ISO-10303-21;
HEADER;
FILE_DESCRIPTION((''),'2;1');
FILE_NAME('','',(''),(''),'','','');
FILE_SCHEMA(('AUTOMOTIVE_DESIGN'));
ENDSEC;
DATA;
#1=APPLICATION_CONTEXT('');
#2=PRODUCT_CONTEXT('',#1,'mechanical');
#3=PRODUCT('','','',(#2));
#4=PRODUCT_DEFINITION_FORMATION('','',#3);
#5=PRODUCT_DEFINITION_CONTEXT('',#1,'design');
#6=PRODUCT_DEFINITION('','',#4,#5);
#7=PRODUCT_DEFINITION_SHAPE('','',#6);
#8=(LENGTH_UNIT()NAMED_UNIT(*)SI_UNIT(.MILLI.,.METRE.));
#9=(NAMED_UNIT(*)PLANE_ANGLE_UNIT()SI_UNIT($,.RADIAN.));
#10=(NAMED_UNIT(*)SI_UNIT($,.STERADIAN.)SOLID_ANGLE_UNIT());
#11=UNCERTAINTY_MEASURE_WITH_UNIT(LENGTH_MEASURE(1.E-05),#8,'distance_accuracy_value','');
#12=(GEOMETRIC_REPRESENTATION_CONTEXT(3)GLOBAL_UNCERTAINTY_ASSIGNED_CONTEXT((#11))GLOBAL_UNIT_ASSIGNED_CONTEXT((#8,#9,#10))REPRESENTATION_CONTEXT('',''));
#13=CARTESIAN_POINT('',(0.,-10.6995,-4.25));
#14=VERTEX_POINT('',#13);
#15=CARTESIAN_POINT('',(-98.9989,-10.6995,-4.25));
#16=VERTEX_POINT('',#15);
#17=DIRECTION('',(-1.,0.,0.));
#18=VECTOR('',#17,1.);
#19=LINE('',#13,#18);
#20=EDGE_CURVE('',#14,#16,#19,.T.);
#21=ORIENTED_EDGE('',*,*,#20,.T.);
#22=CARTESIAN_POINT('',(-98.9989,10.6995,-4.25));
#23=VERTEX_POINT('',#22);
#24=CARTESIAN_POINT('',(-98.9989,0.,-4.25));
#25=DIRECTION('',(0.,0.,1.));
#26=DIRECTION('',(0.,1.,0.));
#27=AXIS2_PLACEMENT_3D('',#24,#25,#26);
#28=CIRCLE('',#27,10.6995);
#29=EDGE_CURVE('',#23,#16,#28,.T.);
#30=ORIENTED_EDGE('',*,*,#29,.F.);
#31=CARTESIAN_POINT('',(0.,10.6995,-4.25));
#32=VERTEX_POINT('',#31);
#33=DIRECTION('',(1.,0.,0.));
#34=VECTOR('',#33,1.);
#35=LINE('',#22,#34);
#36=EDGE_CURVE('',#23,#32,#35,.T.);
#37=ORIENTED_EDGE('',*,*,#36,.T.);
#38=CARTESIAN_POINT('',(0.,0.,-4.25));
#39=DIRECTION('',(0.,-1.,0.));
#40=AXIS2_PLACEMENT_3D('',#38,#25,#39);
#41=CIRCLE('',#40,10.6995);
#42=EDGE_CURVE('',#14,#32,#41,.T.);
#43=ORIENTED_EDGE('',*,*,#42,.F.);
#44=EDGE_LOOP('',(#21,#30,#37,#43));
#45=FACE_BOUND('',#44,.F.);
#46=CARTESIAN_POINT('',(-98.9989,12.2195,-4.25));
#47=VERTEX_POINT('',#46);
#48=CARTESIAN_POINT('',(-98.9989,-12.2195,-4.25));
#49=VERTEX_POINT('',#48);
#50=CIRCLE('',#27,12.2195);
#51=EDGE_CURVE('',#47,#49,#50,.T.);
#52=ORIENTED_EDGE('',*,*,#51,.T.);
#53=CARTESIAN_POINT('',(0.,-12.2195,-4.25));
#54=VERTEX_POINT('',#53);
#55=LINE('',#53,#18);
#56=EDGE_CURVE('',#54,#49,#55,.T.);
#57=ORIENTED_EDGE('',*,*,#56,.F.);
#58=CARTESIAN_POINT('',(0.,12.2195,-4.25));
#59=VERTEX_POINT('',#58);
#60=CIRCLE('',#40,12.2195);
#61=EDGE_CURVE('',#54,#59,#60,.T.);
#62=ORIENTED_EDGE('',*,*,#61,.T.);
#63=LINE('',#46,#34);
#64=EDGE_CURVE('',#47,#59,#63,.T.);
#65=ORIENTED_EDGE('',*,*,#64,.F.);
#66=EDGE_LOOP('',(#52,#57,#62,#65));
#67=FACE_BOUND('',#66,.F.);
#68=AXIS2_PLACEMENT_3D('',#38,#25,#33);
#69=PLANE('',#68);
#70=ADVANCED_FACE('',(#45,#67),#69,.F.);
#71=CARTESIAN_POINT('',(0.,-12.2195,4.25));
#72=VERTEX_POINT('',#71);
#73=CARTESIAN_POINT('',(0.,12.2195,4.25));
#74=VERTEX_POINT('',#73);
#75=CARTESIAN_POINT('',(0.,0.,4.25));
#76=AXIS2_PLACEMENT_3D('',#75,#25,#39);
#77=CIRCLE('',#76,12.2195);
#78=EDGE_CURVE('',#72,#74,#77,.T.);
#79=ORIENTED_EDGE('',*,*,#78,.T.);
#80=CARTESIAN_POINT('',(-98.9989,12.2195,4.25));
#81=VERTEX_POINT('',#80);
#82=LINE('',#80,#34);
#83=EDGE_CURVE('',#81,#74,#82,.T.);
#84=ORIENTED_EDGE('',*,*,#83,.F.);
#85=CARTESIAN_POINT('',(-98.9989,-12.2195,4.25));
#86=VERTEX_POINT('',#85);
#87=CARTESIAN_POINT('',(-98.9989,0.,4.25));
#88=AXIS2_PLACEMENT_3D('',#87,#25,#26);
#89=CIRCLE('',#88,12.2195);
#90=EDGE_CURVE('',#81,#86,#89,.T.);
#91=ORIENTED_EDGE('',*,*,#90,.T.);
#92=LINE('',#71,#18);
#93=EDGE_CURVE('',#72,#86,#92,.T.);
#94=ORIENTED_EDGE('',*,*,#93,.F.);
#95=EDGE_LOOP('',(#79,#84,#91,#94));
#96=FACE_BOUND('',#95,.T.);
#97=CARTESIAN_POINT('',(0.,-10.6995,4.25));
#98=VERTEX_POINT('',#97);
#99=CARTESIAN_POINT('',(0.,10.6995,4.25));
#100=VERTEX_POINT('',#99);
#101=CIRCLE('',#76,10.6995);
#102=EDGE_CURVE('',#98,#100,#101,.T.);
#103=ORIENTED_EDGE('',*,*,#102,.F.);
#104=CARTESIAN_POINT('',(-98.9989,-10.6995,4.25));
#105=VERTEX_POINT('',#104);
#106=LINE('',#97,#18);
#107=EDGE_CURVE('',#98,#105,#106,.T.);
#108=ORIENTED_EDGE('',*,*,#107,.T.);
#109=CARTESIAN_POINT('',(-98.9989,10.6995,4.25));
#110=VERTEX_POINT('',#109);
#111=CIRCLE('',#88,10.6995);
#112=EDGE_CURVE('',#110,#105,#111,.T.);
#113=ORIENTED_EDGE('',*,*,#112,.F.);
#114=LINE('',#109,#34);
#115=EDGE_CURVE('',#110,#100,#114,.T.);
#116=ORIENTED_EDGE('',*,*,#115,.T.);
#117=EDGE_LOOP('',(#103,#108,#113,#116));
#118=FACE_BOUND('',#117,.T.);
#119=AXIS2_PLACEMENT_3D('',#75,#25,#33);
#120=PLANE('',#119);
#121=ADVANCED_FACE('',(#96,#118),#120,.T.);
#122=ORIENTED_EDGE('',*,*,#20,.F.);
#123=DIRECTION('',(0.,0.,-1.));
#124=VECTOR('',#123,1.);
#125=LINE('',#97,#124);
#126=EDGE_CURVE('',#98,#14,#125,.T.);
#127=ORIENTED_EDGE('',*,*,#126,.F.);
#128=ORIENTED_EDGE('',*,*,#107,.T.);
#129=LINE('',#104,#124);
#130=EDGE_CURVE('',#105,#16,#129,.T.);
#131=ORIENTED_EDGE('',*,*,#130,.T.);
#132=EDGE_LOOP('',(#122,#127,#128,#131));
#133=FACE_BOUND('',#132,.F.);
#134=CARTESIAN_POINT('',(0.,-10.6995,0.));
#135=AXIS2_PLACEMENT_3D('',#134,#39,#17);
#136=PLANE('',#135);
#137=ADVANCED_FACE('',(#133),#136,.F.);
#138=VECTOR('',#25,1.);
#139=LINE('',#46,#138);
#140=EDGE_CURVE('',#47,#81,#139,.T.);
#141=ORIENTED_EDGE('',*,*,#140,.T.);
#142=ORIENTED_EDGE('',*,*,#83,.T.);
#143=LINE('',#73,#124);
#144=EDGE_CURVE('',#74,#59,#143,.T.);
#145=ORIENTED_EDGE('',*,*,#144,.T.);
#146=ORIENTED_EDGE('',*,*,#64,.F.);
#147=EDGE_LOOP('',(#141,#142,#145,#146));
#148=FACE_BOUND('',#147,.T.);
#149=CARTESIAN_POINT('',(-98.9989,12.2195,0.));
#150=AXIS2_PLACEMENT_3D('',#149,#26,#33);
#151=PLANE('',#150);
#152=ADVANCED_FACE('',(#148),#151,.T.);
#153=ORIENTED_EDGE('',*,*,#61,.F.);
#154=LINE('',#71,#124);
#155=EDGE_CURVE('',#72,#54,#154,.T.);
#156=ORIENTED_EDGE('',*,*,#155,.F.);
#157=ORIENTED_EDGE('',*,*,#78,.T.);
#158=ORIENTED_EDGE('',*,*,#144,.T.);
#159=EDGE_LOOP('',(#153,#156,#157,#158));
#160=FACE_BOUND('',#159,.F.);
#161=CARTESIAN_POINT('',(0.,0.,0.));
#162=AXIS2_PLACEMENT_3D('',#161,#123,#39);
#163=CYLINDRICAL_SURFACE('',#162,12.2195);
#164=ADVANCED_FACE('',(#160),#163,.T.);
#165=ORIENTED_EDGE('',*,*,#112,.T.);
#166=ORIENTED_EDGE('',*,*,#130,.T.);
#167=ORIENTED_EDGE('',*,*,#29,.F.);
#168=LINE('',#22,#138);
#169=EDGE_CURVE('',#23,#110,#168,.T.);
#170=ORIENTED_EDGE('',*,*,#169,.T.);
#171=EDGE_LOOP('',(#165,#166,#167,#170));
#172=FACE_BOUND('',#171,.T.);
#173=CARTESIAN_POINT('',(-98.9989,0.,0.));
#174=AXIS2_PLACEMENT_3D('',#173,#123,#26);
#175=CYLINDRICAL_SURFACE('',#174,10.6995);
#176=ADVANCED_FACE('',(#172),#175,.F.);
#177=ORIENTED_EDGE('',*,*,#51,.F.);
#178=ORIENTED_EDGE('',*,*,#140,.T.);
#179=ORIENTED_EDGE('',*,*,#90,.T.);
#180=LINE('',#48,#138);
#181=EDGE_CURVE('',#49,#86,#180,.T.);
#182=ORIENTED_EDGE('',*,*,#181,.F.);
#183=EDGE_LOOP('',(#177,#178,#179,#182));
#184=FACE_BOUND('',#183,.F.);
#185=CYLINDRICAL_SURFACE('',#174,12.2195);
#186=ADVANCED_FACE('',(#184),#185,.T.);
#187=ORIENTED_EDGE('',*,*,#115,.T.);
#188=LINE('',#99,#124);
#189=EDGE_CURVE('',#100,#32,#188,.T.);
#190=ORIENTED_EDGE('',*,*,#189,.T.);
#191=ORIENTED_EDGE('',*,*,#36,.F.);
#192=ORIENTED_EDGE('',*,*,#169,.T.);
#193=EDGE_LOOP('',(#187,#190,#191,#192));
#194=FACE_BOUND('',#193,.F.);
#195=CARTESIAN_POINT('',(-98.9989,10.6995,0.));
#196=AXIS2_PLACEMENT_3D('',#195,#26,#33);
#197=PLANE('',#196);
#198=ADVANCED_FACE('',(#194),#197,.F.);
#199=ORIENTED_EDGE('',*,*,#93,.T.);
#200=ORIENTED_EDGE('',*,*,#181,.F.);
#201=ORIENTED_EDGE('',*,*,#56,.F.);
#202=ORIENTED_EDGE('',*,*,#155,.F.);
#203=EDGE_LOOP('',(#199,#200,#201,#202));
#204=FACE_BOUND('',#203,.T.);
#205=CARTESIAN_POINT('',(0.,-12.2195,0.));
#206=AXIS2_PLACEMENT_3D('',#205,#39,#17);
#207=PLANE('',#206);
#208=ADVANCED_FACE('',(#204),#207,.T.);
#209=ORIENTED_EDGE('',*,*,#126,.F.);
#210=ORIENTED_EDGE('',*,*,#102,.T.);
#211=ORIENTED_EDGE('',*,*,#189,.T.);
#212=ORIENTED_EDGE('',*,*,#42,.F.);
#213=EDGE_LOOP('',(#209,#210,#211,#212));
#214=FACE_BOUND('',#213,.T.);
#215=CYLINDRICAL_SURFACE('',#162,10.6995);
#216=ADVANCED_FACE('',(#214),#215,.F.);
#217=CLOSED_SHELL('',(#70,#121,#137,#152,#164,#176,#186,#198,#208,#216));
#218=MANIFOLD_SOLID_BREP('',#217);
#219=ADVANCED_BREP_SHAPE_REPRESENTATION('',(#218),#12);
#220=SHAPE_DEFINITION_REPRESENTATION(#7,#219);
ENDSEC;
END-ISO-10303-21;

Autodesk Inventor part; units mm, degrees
ref_plane "YZ Plane" through (0, 0, 0) normal (1, 0, 0) x (0, 1, 0)
ref_plane "XZ Plane" through (0, 0, 0) normal (0, 1, 0) x (-1, 0, 0)
ref_plane "XY Plane" through (0, 0, 0) normal (0, 0, 1) x (1, 0, 0)
sketch "Sketch1" plane through (0, 0, 0) normal (0, 0, 1) x (1, 0, 0)
  arc A0 (0, -11.4595) -> (0, 11.4595) centre (0, 0) ccw construction
  arc A1 (-98.9989, 11.4595) -> (-98.9989, -11.4595) centre (-98.9989, 0) ccw construction
  line L0 (0, -11.4595) -> (-98.9989, -11.4595) construction
  line L1 (0, 11.4595) -> (-98.9989, 11.4595) construction
  dimension "Belt_Teeth" = 90
  dimension "Belt_Pitch2" = 3
  dimension "d0" = 22.919
  dimension "d1" = 22.919
  dimension "d2" = 36.0011
  dimension "d3" = 36.0011
  dimension "Center_Distance" = 98.9989
  dimension "d5" = 98.9989
sketch "Sketch2" plane through (0, 0, 0) normal (0, 0, 1) x (1, 0, 0)
  line L0 (35.7235, 34.2567) -> (38.7235, 34.2567)
  point P0 (0, 0)
  dimension "Belt_Pitch2" = 3
sketch "Sketch4" plane through (0, 0, 0) normal (0, 0, 1) x (1, 0, 0)
  line L0 (-16.1422, -21.869) -> (-14.1422, -21.869)
  line L1 (-16.1422, -21.869) -> (-16.1422, -20.349)
  arc A0 (-15.5872, -20.904) -> (-16.1422, -20.349) centre (-16.1422, -20.904) ccw
  line L2 (-15.5872, -20.904) -> (-15.5872, -20.959)
  arc A1 (-15.5872, -20.959) -> (-15.4372, -21.109) centre (-15.4372, -20.959) ccw
  line L3 (-15.4372, -21.109) -> (-14.8472, -21.109)
  line L4 (-14.1422, -21.869) -> (-14.1422, -20.349)
  arc A2 (-14.1422, -20.349) -> (-14.6972, -20.904) centre (-14.1422, -20.904) ccw
  arc A3 (-14.8472, -21.109) -> (-14.6972, -20.959) centre (-14.8472, -20.959) ccw
  line L5 (-14.6972, -20.959) -> (-14.6972, -20.904)
  line L6 (0, 11.4595) -> (-98.9989, 11.4595) construction
  arc A4 (-98.9989, 11.4595) -> (-98.9989, -11.4595) centre (-98.9989, 0) ccw construction
  line L7 (0, -11.4595) -> (-98.9989, -11.4595) construction
  arc A5 (0, -11.4595) -> (0, 11.4595) centre (0, 0) ccw construction
  arc A6 (-98.9989, 12.2195) -> (-98.9989, -12.2195) centre (-98.9989, 0) ccw
  line L8 (-98.9989, 12.2195) -> (0, 12.2195)
  arc A7 (0, -12.2195) -> (0, 12.2195) centre (0, 0) ccw
  line L9 (0, -12.2195) -> (-98.9989, -12.2195)
  arc A8 (-98.9989, 10.6995) -> (-98.9989, -10.6995) centre (-98.9989, 0) ccw
  line L10 (-98.9989, 10.6995) -> (0, 10.6995)
  arc A9 (0, -10.6995) -> (0, 10.6995) centre (0, 0) ccw
  line L11 (0, -10.6995) -> (-98.9989, -10.6995)
  point P0 (-15.1422, -21.109)
  point P1 (-15.1422, -21.869)
  dimension "d9" = 2
  dimension "d10" = 1.52
  dimension "d11" = 0.76
  dimension "d12" = 0.555
  dimension "d13" = 0.555
  dimension "d14" = 0.15
  dimension "d15" = 0.15
  dimension "belt_thickness" = 1.52
  dimension "d44" = 0.76
extrude "Extrusion2" add sketch "Sketch4" along normal mid plane 8.5 contours L8 A7 L9 A6
sketch "Sketch5" plane through (0, 0, 4.25) normal (0, 0, 1) x (1, 0, 0)
  line L0 (-98.9989, 10.6995) -> (0, 10.6995) construction
  arc A0 (0, -10.6995) -> (0, 10.6995) centre (0, 0) ccw construction
  line L1 (0, -10.6995) -> (-98.9989, -10.6995) construction
  arc A1 (-98.9989, 10.6995) -> (-98.9989, -10.6995) centre (-98.9989, 0) ccw construction
  arc A2 (-98.9989, 12.2195) -> (-98.9989, -12.2195) centre (-98.9989, 0) ccw construction
  line L2 (-98.9989, -12.2195) -> (0, -12.2195) construction
  arc A3 (0, -12.2195) -> (0, 12.2195) centre (0, 0) ccw construction
  line L3 (0, 12.2195) -> (-98.9989, 12.2195) construction
  line L4 (-7.7556, -2.6989) -> (-5.7556, -2.6989)
  line L5 (-7.7556, -2.6989) -> (-7.7556, -1.1789) construction
  arc A4 (-7.2006, -1.7339) -> (-7.7556, -1.1789) centre (-7.7556, -1.7339) ccw
  line L6 (-7.2006, -1.7339) -> (-7.2006, -1.7889)
  arc A5 (-7.2006, -1.7889) -> (-7.0506, -1.9389) centre (-7.0506, -1.7889) ccw
  line L7 (-7.0506, -1.9389) -> (-6.4606, -1.9389)
  line L8 (-5.7556, -2.6989) -> (-5.7556, -1.1789)
  arc A6 (-5.7556, -1.1789) -> (-6.3106, -1.7339) centre (-5.7556, -1.7339) ccw
  arc A7 (-6.4606, -1.9389) -> (-6.3106, -1.7889) centre (-6.4606, -1.7889) ccw
  line L9 (-6.3106, -1.7889) -> (-6.3106, -1.7339)
  line L10 (-8.3106, -1.7339) -> (-8.3106, -1.7889)
  arc A8 (-7.7556, -1.1789) -> (-8.3106, -1.7339) centre (-7.7556, -1.7339) ccw
  arc A9 (-8.4606, -1.9389) -> (-8.3106, -1.7889) centre (-8.4606, -1.7889) ccw
  line L11 (-8.4606, -1.9389) -> (-9.0506, -1.9389)
  line L12 (-7.7556, -2.6989) -> (-9.7556, -2.6989)
  line L13 (-9.2006, -1.7889) -> (-9.2006, -1.7339)
  arc A10 (-9.2006, -1.7339) -> (-9.7556, -1.1789) centre (-9.7556, -1.7339) ccw
  line L14 (-9.7556, -2.6989) -> (-9.7556, -1.1789)
  arc A11 (-9.2006, -1.7889) -> (-9.0506, -1.9389) centre (-9.0506, -1.7889) ccw
  line L15 (-17.66, -0.8495) -> (-14.922, -0.8495) construction
  line L16 (-14.922, -0.8495) -> (-14.922, -2.3671) construction
  line L17 (-14.922, -2.3671) -> (-17.66, -2.3671) construction
  line L18 (-17.66, -2.3671) -> (-17.66, -0.8495) construction
  arc A12 (-15.6383, -1.7102) -> (-16.7483, -1.7102) centre (-16.1933, -1.7102) ccw construction
  line L19 (-16.7483, -1.7102) -> (-16.7483, -1.7652) construction
  arc A13 (-16.8983, -1.9152) -> (-16.7483, -1.7652) centre (-16.8983, -1.7652) ccw construction
  line L20 (-16.7483, -1.7102) -> (-16.7483, -1.9152) construction
  line L21 (-15.6383, -1.7102) -> (-15.6383, -1.9152) construction
  point P0 (-6.7556, -1.9389)
  point P1 (-6.7556, -2.6989)
  point P2 (-8.7556, -2.6989)
  point P3 (-8.7556, -1.9389)
  dimension "d22" = 2
  dimension "d23" = 1.52
  dimension "d24" = 0.76
  dimension "d25" = 0.555
  dimension "d26" = 0.555
  dimension "d27" = 0.15
  dimension "d28" = 0.15
  dimension "d29" = 0.76
  dimension "d30" = 1
  dimension "d31" = 2
  dimension "d32" = 0.59
  dimension "d34" = 0.555
  dimension "d35" = 0
  dimension "d36" = 0
  dimension "d37" = 0.15
  dimension "d38" = 0.055
  dimension "d39" = 0.055
  dimension "d40" = 0
  dimension "d41" = 0
  dimension "d42" = 0.205
  dimension "d43" = 0.205
equation "\"d13\" = d12"
equation "\"d15\" = d14"
equation "\"d44\" = 0.5 * belt_thickness"
equation "\"d26\" = d25"
equation "\"d28\" = d27"
equation "\"d30\" = 0.5 * d22"
equation "\"d31\" = d22"
equation "\"d43\" = d42"
equation "\"Belt_Teeth\" = 90"
equation "\"Belt_Pitch\" = 3"
equation "\"HTD_5mm\" = 5"
equation "\"GT2_3mm\" = 3"
equation "\"Center_Distance_Copy\" = Center_Distance"
properties part number "GT2-90T" material "Rubber"
